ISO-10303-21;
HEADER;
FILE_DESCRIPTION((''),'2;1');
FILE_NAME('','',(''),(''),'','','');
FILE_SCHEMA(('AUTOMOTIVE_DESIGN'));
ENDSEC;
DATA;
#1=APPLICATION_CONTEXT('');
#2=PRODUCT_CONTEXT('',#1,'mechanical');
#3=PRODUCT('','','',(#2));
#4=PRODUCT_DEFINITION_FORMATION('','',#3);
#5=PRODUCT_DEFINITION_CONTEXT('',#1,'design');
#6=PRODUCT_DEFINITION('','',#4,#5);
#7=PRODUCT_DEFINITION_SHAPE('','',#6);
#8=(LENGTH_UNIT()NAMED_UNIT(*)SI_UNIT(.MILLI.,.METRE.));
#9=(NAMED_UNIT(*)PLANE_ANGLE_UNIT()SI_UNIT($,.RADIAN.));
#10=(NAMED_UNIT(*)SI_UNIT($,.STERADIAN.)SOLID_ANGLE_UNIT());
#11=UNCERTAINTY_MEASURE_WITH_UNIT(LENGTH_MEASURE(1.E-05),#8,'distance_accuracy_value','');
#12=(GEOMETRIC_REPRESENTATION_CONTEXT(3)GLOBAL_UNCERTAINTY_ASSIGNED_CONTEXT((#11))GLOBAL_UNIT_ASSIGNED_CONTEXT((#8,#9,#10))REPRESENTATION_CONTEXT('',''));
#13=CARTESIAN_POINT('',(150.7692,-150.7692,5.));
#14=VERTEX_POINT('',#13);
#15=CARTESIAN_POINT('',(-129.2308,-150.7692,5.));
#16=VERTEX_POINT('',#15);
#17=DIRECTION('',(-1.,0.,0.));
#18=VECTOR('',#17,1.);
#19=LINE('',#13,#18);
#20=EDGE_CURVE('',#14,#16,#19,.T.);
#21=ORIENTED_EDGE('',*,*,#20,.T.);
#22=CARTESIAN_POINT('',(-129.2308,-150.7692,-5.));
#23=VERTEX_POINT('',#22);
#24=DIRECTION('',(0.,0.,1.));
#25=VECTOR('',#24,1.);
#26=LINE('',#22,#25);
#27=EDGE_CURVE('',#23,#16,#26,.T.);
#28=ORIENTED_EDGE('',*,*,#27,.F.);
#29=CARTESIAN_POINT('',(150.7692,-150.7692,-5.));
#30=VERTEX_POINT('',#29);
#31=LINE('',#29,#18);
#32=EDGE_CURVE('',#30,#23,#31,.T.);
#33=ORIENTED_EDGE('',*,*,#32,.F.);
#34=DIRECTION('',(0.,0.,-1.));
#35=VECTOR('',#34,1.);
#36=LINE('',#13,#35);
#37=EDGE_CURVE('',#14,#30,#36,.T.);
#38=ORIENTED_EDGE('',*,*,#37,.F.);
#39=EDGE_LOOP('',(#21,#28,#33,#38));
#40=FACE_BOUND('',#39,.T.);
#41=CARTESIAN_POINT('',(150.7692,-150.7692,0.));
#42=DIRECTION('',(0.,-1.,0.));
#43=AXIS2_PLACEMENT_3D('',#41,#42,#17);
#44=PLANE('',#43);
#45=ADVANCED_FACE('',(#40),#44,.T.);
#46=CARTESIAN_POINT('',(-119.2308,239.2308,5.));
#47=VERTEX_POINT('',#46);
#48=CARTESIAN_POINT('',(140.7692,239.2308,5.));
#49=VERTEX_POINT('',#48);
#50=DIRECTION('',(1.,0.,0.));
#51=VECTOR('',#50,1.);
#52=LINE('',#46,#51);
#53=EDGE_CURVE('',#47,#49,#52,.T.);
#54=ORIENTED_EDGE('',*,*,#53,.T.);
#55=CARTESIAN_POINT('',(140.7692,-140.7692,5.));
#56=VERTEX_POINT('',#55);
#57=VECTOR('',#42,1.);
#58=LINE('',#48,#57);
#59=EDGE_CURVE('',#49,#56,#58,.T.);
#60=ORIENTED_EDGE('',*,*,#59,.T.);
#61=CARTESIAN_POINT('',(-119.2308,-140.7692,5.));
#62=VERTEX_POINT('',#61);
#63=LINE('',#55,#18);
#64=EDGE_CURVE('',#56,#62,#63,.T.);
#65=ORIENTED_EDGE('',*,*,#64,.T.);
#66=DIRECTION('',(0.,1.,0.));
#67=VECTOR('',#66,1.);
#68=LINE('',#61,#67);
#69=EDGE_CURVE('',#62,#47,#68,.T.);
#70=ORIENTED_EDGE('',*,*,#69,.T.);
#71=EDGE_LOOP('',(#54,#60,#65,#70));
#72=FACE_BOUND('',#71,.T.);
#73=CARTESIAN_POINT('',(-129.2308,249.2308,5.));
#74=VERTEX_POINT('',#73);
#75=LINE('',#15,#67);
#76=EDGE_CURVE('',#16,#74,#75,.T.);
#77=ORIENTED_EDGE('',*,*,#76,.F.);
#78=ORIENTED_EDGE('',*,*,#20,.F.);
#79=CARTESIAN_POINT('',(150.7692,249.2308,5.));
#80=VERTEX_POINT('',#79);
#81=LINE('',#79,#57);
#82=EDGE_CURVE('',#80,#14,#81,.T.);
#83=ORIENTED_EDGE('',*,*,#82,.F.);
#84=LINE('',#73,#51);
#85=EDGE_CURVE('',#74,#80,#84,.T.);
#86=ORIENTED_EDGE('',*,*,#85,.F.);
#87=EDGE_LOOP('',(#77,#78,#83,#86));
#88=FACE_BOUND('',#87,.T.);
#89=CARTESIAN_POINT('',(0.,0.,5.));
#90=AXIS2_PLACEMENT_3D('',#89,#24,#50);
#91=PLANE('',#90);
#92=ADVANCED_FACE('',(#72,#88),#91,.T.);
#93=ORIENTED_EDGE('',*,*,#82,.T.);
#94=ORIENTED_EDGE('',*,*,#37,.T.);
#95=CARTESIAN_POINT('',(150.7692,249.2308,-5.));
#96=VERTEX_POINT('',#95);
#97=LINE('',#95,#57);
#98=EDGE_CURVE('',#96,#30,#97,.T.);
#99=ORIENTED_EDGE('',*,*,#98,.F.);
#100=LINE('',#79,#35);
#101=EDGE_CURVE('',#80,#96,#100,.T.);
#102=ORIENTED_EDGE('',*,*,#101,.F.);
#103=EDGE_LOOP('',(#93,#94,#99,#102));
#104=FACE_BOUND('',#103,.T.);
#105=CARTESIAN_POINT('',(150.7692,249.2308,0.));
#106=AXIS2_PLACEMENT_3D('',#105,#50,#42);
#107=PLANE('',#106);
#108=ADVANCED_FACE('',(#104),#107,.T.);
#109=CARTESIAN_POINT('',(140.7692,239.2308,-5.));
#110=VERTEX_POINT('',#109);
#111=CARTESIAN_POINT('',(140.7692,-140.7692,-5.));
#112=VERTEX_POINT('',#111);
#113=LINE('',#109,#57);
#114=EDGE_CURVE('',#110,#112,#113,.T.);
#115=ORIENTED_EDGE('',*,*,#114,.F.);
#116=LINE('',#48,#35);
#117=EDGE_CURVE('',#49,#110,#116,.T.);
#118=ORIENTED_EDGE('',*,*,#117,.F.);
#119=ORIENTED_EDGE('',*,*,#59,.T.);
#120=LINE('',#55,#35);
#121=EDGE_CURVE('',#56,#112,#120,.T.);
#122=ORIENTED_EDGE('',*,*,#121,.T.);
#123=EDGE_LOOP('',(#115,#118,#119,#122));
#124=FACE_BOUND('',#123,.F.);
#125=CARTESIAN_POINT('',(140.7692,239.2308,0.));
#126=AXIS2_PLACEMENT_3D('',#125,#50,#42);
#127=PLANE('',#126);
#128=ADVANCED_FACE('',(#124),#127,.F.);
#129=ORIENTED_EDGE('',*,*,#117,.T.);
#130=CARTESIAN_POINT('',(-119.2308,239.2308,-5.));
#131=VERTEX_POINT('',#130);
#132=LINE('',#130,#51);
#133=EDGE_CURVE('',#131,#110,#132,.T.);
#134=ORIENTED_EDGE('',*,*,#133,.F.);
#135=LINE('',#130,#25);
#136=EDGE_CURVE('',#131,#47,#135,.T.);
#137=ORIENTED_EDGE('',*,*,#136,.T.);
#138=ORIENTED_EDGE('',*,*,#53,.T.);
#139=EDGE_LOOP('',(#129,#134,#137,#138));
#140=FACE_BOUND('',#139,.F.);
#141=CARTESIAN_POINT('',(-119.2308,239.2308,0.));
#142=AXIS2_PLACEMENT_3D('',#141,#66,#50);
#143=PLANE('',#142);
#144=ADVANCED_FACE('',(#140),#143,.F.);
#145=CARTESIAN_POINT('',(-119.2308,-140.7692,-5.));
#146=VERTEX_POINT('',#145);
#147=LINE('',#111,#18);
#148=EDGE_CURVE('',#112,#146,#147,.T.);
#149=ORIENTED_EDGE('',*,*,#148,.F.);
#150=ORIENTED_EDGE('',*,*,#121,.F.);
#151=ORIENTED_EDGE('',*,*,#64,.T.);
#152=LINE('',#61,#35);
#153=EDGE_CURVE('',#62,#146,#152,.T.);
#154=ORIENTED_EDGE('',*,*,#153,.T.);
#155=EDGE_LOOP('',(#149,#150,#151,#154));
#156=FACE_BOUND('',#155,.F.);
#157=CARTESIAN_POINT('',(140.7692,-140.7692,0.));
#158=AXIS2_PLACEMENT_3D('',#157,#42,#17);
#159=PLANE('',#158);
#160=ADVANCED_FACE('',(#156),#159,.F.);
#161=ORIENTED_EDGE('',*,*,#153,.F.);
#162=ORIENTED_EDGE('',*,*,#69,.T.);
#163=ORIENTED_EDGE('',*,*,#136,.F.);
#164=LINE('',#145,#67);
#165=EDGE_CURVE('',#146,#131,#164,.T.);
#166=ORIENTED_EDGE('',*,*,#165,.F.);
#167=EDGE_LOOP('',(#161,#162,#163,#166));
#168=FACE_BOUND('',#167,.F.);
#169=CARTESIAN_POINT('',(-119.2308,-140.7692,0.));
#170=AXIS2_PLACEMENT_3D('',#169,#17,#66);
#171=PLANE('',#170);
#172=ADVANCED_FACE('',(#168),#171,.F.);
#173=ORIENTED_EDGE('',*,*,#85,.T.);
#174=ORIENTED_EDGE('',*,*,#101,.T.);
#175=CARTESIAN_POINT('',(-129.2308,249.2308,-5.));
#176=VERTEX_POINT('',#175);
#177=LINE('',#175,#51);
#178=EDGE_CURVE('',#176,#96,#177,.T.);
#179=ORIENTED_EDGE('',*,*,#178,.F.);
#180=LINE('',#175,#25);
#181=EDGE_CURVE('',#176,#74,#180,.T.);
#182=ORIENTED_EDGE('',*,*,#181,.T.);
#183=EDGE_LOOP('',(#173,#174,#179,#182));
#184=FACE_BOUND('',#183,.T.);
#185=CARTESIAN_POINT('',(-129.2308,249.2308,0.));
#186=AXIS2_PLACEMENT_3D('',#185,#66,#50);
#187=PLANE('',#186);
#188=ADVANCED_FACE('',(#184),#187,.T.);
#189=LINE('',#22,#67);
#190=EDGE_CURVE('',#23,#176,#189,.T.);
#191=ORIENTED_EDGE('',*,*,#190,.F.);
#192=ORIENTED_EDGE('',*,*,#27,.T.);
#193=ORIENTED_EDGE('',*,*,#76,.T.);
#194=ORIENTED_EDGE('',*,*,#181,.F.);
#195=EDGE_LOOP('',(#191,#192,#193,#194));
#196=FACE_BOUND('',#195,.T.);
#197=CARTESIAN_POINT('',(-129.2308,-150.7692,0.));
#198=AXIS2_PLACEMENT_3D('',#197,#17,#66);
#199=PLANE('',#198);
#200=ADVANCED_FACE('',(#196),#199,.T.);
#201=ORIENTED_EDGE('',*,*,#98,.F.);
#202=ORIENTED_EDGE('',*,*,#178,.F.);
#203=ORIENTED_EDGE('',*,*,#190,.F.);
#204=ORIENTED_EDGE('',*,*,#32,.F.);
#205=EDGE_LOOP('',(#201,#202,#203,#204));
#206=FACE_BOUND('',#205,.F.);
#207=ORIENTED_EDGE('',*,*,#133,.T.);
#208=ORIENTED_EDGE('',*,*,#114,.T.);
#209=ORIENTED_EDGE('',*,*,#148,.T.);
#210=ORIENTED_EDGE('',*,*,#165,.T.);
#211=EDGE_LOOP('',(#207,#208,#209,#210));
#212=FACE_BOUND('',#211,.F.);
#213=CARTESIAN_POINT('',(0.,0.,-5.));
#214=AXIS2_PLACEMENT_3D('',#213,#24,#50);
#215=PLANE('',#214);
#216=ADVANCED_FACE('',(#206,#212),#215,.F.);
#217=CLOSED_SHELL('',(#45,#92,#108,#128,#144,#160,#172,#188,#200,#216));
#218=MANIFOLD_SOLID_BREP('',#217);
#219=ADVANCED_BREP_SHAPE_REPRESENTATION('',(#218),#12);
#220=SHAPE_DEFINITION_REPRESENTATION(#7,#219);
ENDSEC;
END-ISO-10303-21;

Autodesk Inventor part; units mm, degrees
ref_plane "YZ Plane" through (0, 0, 0) normal (1, 0, 0) x (0, 1, 0)
ref_plane "XZ Plane" through (0, 0, 0) normal (0, 1, 0) x (-1, 0, 0)
ref_plane "XY Plane" through (0, 0, 0) normal (0, 0, 1) x (1, 0, 0)
sketch "Sketch1" plane through (0, 0, 0) normal (0, 0, 1) x (1, 0, 0)
  line L0 (-129.2308, 249.2308) -> (150.7692, 249.2308)
  line L1 (150.7692, 249.2308) -> (150.7692, -150.7692)
  line L2 (150.7692, -150.7692) -> (-129.2308, -150.7692)
  line L3 (-129.2308, -150.7692) -> (-129.2308, 249.2308)
  line L4 (-119.2308, 239.2308) -> (140.7692, 239.2308)
  line L5 (140.7692, 239.2308) -> (140.7692, -140.7692)
  line L6 (140.7692, -140.7692) -> (-119.2308, -140.7692)
  line L7 (-119.2308, -140.7692) -> (-119.2308, 239.2308)
  point P0 (0, 0)
  dimension "d0" = 280
  dimension "d1" = 400
  dimension "d2" = 10
  dimension "d3" = 10
  dimension "d4" = 10
  dimension "d5" = 10
  dimension "d6" = 150.7692
  dimension "d7" = 249.2308
extrude "Extrusion1" add sketch "Sketch1" along normal mid plane 10
properties part number "Steel support 5" material "Steel"
